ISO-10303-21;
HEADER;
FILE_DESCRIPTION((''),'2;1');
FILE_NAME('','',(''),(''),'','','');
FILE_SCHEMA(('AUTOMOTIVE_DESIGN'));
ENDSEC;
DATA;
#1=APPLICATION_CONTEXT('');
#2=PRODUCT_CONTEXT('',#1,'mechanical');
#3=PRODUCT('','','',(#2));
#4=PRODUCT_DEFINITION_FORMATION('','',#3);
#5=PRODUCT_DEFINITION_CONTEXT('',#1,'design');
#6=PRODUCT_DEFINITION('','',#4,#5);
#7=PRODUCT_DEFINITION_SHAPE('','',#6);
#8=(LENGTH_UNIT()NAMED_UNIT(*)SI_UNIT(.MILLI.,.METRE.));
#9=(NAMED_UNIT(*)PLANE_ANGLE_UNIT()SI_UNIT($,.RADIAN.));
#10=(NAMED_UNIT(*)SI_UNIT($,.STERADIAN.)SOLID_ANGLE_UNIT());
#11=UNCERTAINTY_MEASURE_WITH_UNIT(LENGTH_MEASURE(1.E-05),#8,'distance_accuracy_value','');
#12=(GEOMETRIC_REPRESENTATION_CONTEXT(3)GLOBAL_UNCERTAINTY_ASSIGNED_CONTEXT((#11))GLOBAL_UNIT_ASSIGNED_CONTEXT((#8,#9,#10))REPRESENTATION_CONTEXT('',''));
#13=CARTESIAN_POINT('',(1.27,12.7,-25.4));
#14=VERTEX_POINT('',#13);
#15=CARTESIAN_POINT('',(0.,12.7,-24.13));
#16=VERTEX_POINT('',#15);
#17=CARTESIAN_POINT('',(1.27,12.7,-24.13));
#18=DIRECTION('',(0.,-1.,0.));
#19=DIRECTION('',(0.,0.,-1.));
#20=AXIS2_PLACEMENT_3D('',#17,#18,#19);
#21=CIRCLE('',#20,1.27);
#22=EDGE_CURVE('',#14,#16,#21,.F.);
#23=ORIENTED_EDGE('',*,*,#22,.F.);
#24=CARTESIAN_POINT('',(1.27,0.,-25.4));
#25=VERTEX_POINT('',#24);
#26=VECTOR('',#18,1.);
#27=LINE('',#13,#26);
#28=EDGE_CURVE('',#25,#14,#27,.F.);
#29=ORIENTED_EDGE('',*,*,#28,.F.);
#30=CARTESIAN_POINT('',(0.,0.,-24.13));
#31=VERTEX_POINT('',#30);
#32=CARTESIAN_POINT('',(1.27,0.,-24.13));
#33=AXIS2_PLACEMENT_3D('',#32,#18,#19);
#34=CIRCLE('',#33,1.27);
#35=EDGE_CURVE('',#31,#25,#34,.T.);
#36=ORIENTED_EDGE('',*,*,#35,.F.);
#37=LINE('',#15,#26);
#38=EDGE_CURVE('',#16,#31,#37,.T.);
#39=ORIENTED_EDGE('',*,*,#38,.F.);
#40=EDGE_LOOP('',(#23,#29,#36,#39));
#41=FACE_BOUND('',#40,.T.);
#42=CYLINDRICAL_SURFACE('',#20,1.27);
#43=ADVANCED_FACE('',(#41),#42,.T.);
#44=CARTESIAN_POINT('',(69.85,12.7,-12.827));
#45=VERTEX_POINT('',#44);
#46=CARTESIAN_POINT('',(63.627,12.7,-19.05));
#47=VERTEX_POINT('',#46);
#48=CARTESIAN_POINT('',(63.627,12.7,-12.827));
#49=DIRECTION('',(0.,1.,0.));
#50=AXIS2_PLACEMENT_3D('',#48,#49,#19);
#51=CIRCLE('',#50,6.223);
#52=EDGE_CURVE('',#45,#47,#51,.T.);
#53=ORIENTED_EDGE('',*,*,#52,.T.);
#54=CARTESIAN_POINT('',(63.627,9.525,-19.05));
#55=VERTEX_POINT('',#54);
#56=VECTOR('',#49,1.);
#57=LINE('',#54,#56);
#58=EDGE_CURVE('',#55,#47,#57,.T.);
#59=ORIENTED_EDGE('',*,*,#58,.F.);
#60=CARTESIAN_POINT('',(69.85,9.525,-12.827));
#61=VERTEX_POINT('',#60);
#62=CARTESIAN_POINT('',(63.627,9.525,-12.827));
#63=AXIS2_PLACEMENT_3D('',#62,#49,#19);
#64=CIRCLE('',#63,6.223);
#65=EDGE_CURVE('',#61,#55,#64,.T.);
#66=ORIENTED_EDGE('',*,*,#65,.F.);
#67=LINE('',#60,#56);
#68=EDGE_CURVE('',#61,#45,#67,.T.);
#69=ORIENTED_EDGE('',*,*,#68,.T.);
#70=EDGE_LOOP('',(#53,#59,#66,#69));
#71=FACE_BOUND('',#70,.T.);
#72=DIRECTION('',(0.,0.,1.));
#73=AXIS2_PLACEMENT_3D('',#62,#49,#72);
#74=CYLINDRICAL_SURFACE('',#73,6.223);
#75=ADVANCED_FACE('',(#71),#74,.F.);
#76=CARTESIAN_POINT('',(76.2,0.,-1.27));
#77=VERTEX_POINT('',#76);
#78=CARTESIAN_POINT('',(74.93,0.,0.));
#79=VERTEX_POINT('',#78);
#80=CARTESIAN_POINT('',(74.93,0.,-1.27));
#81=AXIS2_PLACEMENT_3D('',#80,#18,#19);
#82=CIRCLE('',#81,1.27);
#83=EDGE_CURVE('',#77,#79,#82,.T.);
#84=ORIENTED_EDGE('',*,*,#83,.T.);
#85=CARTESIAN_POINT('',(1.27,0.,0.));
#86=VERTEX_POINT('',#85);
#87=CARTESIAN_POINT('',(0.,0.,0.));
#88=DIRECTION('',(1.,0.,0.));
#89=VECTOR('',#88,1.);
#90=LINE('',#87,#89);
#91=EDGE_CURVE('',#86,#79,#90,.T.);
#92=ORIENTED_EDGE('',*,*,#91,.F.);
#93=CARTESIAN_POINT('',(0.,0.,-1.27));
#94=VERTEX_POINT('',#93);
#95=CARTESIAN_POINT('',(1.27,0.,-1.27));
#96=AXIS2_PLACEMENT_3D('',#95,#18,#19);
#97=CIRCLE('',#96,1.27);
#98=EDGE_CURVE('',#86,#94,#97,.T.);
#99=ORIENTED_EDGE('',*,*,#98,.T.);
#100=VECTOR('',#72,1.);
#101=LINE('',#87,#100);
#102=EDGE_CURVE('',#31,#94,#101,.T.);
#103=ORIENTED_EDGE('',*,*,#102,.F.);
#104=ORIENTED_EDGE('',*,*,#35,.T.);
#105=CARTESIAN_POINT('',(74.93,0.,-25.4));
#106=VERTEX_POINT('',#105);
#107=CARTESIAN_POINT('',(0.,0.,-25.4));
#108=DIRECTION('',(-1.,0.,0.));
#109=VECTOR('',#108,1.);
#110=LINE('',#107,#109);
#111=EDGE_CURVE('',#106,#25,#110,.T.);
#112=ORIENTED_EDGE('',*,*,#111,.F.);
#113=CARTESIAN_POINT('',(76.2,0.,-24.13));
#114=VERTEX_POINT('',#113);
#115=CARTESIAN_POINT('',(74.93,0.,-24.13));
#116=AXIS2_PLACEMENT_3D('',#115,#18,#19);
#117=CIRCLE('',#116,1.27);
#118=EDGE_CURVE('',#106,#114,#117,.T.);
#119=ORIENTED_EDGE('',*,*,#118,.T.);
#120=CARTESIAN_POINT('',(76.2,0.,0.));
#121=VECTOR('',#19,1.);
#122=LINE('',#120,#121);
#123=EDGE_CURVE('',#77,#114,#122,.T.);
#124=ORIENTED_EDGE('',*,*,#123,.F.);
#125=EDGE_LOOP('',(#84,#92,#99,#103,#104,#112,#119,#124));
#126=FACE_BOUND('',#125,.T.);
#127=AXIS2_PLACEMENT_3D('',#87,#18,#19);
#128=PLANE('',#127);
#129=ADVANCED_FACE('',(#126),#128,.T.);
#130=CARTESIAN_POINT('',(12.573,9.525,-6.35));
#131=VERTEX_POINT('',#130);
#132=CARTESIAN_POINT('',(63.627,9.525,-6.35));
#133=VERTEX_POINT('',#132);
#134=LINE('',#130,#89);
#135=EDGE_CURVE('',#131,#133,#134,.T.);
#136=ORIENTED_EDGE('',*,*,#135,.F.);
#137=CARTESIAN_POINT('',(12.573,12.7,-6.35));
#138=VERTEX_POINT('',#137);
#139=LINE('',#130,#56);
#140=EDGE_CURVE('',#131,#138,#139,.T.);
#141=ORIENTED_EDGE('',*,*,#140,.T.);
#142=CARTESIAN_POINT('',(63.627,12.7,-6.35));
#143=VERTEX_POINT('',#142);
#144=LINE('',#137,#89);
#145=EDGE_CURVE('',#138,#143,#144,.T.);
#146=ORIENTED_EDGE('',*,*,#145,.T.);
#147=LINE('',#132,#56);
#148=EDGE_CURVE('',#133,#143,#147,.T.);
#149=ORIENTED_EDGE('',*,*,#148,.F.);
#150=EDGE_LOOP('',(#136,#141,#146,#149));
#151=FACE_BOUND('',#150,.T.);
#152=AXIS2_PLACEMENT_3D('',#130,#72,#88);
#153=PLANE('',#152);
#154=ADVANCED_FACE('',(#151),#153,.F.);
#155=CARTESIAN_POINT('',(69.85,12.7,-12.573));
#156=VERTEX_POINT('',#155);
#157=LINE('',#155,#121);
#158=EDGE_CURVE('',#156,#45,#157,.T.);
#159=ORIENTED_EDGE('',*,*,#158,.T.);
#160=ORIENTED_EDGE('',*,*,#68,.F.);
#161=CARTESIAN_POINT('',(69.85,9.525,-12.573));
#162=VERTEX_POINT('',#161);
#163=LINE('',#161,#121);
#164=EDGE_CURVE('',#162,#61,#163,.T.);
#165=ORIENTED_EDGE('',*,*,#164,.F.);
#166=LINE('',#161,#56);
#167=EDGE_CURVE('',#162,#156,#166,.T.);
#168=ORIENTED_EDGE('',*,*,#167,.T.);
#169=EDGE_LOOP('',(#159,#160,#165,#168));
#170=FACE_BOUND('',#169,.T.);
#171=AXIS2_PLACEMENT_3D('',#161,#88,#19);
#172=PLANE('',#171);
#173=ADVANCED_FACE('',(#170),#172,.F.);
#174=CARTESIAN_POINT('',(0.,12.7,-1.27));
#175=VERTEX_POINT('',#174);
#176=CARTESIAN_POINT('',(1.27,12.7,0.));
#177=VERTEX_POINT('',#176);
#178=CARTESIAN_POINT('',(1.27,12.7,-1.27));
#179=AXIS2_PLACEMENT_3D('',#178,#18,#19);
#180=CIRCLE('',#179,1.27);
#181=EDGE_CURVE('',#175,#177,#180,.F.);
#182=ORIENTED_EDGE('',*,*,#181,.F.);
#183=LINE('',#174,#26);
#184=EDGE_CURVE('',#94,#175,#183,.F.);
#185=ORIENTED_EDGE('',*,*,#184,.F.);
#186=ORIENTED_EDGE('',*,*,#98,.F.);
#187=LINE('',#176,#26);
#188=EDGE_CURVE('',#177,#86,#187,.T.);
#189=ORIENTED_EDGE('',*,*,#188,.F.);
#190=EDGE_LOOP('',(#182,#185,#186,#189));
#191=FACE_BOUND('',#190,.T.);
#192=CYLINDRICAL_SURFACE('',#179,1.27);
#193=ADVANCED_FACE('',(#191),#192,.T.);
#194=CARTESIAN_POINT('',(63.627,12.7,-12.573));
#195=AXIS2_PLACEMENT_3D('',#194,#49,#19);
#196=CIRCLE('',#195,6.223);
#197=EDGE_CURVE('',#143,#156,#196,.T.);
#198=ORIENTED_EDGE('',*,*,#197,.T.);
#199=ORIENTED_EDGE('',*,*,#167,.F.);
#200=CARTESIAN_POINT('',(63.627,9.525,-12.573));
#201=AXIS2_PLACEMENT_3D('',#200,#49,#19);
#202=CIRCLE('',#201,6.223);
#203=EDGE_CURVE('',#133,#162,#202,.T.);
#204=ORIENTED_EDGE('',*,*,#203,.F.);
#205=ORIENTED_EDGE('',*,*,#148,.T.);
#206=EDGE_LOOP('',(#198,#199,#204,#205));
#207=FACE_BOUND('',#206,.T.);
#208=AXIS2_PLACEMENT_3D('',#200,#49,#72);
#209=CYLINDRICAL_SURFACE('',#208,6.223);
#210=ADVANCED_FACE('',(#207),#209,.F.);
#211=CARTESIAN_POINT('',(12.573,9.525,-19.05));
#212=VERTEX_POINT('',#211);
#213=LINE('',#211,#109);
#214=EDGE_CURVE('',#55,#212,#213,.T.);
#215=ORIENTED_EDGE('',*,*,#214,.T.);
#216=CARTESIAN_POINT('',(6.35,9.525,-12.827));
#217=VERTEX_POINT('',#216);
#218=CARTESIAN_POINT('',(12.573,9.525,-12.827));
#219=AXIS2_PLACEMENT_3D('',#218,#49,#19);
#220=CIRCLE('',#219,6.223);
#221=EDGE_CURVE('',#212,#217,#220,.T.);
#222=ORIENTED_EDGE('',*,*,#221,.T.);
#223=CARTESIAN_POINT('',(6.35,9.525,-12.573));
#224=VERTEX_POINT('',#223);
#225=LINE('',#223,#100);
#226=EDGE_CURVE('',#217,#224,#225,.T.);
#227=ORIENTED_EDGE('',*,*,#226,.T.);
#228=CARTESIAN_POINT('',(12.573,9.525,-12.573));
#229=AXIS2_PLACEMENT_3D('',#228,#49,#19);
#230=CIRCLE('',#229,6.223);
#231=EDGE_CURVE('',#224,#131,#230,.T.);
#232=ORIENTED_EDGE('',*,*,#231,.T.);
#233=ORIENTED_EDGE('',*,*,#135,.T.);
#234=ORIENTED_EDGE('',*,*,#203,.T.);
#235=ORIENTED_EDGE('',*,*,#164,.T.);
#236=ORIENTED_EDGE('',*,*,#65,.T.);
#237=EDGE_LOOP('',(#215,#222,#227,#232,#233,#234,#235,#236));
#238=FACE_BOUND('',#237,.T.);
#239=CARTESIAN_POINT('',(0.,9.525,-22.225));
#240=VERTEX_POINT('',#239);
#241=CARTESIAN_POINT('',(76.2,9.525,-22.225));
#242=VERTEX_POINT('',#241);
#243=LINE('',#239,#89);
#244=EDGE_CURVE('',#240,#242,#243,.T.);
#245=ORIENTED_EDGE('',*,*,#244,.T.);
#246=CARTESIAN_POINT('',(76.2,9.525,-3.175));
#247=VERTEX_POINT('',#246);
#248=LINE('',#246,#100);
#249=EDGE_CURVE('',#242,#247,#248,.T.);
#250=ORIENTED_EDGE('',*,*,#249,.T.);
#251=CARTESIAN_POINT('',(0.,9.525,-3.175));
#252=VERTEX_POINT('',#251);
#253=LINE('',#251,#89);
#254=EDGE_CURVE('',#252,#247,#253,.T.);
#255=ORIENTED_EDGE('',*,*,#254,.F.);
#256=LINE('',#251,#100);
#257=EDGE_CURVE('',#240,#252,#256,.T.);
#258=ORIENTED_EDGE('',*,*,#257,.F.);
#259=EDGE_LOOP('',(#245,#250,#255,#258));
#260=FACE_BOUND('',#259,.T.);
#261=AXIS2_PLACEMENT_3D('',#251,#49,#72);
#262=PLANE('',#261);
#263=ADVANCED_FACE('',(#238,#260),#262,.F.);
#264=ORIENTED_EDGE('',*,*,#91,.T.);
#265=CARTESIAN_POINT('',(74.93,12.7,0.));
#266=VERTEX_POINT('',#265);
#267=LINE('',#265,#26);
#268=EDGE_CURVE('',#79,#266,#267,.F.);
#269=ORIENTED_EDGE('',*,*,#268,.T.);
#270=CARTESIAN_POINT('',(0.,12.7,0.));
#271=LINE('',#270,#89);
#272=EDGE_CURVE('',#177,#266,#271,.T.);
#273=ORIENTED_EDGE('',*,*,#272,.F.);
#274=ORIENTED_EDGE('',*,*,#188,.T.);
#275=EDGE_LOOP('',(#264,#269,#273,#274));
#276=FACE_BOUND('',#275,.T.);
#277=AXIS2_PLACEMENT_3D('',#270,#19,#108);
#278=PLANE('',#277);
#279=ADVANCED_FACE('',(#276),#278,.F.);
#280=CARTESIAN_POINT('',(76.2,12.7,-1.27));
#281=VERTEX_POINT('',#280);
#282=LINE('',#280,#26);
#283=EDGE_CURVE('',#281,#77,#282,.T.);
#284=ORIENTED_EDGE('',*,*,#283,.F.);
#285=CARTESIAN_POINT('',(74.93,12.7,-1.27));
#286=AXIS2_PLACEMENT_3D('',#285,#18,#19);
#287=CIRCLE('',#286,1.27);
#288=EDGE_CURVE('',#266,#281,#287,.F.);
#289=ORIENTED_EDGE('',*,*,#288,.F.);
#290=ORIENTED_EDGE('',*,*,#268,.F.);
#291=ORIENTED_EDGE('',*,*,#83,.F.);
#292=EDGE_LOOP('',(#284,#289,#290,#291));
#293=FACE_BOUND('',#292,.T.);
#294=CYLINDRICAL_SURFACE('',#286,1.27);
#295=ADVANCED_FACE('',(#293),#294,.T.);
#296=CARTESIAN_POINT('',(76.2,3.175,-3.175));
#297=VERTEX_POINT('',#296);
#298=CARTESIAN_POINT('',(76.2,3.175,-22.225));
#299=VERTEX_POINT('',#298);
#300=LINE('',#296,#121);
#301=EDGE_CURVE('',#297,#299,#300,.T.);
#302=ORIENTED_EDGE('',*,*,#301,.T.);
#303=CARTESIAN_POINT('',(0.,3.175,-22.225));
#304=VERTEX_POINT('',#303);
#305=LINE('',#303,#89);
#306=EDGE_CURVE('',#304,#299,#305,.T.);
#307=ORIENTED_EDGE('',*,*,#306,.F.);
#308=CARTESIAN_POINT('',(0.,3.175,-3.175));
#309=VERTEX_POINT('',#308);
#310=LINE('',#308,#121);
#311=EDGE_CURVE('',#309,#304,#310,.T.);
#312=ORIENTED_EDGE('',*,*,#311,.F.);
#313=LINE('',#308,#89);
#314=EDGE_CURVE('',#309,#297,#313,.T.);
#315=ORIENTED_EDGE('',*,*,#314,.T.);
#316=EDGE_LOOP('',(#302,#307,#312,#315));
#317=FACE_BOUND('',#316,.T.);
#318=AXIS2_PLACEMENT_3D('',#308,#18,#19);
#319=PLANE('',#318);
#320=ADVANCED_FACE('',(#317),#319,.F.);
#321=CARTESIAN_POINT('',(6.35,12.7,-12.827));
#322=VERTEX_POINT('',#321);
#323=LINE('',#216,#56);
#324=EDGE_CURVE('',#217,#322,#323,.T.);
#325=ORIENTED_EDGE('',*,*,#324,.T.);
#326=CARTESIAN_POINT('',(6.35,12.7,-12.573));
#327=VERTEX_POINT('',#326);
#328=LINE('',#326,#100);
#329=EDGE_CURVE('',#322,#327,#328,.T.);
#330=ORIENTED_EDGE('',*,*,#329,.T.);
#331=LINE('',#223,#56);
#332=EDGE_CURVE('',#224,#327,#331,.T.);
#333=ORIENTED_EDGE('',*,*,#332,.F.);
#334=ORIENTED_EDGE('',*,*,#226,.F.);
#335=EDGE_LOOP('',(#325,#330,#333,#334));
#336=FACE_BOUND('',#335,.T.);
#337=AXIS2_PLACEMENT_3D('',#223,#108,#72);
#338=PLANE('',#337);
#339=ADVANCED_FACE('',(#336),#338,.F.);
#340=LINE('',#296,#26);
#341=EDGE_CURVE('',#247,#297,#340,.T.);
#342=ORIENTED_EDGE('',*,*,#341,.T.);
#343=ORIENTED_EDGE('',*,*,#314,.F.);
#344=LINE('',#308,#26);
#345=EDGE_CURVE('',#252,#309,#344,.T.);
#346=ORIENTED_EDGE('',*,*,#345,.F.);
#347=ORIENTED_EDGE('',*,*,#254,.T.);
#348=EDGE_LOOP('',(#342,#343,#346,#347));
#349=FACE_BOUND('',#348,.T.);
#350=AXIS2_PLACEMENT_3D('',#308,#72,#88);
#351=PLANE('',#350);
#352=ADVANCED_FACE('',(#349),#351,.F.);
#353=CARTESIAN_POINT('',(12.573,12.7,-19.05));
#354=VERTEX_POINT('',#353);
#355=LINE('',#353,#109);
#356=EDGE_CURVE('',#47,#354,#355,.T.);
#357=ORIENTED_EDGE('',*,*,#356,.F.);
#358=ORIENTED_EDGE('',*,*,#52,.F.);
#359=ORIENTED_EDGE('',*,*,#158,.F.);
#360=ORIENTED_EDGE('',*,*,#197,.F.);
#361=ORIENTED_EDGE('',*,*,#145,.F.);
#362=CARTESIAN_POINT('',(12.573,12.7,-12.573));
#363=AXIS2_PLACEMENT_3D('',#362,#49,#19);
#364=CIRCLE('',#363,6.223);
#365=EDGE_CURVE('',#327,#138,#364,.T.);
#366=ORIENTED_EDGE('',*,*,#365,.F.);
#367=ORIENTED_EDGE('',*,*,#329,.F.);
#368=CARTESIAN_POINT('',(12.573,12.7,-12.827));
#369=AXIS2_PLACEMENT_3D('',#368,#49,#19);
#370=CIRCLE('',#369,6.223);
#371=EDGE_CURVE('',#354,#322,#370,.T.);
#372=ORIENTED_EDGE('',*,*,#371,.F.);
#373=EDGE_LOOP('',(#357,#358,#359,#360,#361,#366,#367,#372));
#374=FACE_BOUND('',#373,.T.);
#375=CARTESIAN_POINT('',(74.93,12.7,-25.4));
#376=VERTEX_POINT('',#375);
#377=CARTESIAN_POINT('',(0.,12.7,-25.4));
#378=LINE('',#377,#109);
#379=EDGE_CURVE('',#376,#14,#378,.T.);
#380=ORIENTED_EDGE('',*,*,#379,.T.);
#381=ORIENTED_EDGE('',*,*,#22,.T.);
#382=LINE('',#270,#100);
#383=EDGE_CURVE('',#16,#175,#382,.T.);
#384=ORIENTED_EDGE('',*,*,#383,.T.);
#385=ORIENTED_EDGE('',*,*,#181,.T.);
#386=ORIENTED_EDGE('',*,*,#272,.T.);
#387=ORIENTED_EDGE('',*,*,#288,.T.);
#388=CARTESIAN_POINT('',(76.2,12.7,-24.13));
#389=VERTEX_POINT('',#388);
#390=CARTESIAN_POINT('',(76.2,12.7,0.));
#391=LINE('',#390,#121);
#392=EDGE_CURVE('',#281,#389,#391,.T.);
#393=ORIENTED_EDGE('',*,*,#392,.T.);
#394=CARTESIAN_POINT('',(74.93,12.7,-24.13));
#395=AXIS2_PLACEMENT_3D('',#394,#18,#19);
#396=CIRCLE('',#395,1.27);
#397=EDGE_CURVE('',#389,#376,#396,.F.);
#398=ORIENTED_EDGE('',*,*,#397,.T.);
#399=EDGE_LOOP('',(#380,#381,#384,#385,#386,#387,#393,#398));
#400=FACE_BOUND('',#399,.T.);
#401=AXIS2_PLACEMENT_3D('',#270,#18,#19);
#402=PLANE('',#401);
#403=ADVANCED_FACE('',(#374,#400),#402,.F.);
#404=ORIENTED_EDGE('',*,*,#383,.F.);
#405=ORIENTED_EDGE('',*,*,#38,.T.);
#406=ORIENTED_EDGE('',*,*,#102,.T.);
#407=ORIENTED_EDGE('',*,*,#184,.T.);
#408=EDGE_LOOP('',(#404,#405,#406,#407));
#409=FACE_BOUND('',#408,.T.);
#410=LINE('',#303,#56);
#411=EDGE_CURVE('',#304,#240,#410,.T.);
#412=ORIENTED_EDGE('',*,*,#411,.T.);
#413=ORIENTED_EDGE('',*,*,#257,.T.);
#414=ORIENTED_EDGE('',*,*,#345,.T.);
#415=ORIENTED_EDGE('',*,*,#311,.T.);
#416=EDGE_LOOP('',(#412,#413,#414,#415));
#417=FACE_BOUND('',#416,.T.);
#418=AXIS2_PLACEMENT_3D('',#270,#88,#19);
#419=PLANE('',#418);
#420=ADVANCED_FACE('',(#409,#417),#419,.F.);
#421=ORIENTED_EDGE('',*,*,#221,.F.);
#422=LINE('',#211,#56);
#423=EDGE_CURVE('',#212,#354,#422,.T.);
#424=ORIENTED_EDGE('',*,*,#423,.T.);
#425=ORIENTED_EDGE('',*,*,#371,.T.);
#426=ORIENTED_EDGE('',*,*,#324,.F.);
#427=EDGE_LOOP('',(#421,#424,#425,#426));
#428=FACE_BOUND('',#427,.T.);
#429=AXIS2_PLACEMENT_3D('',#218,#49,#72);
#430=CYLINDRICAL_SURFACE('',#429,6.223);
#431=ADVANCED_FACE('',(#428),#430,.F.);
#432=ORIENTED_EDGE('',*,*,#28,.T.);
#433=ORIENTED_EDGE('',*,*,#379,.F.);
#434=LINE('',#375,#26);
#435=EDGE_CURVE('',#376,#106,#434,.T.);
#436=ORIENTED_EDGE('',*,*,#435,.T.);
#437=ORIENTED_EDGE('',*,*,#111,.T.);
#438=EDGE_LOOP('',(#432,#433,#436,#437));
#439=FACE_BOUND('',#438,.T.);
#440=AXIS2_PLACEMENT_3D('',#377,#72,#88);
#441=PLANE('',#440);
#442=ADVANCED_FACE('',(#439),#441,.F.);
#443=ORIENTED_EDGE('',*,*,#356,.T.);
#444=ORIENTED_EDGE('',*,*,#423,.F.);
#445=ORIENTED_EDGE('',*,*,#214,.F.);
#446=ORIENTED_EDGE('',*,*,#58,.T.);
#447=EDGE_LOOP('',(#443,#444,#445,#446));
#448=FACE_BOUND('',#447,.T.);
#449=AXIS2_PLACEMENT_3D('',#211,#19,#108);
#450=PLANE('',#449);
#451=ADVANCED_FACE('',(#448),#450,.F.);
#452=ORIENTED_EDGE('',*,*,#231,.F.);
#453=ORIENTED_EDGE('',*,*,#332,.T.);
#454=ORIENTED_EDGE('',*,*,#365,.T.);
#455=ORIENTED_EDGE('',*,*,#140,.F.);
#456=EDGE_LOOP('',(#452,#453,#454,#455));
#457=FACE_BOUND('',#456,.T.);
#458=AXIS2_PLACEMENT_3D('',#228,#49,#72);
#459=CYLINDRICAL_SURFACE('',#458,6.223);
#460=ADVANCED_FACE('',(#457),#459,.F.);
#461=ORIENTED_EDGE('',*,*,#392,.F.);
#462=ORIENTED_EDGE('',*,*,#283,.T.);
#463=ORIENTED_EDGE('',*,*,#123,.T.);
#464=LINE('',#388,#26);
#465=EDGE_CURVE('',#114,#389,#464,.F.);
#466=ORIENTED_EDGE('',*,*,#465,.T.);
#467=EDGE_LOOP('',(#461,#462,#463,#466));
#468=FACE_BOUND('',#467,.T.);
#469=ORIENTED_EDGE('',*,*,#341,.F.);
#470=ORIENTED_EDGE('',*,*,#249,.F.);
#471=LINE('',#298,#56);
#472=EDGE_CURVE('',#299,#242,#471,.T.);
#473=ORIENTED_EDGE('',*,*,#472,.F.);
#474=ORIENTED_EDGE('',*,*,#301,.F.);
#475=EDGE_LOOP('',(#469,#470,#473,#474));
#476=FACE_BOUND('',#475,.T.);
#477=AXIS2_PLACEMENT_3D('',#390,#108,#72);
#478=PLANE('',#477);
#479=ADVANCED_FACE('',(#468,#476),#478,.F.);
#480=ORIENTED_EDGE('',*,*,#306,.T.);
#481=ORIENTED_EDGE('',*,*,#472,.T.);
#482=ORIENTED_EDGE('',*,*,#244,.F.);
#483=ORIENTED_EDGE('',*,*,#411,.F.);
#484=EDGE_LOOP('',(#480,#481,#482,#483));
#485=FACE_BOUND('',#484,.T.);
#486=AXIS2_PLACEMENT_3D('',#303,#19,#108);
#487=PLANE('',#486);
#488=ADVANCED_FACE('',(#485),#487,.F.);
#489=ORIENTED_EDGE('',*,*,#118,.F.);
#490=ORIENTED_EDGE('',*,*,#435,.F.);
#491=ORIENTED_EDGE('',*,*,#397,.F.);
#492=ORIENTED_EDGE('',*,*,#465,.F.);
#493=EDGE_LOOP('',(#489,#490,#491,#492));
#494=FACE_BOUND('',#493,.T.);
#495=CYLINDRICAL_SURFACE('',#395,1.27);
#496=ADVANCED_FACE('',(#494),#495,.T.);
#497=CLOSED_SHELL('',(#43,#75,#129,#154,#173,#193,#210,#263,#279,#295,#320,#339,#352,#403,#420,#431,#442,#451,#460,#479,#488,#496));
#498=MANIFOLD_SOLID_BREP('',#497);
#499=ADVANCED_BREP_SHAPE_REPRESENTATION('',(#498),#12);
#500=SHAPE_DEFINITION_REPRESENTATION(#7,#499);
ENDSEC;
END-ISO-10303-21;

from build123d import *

# Parameters (mm, degrees)
SKETCH1_W           = 76.2
SKETCH1_H           = 25.4
BOSS_EXTRUDE1_DEPTH = 12.7
SKETCH2_W           = 19.05
SKETCH2_H           = 6.35
CUT_EXTRUDE1_DEPTH  = 82.319677815
CUT_EXTRUDE2_DEPTH  = 3.175
FILLET1_R           = 1.27


with BuildPart() as part:
    # Sketch1 → Boss-Extrude1 (new body)
    with BuildSketch(Plane(origin=(0, 0, 0), x_dir=(1, 0, 0), z_dir=(0, 1, 0))):
        with Locations((38.1, 12.7)):
            Rectangle(SKETCH1_W, SKETCH1_H)
    extrude(amount=BOSS_EXTRUDE1_DEPTH)

    # Sketch2 → Cut-Extrude1 (cut, through all)
    with BuildSketch(Plane(origin=(76.2, 0, 0), x_dir=(0, 0, -1), z_dir=(1, 0, 0))):
        with Locations((12.7, 6.35)):
            Rectangle(SKETCH2_W, SKETCH2_H)
    extrude(amount=-CUT_EXTRUDE1_DEPTH, mode=Mode.SUBTRACT)

    # Sketch3 → Cut-Extrude2 (cut)
    with BuildSketch(Plane(origin=(0, 12.7, 0), x_dir=(1, 0, 0), z_dir=(0, 1, 0))):
        with BuildLine():
            Line((12.573, 6.35), (63.627, 6.35))
            ThreePointArc((63.627, 6.35), (68.027325499, 8.172674501), (69.85, 12.573))
            Line((69.85, 12.573), (69.85, 12.827))
            ThreePointArc((69.85, 12.827), (68.027325499, 17.227325499), (63.627, 19.05))
            Line((63.627, 19.05), (12.573, 19.05))
            ThreePointArc((12.573, 19.05), (8.172674501, 17.227325499), (6.35, 12.827))
            Line((6.35, 12.827), (6.35, 12.573))
            ThreePointArc((6.35, 12.573), (8.172674501, 8.172674501), (12.573, 6.35))
        make_face()
    extrude(amount=-CUT_EXTRUDE2_DEPTH, mode=Mode.SUBTRACT)

    # Fillet1
    fillet1_edges = [part.edges().sort_by_distance(p)[0] for p in [
        (0, 6.35, -25.4),
        (76.2, 6.35, -25.4),
        (76.2, 6.35, 0),
        (0, 6.35, 0),
    ]]
    fillet(fillet1_edges, radius=FILLET1_R)


solid = part.part
